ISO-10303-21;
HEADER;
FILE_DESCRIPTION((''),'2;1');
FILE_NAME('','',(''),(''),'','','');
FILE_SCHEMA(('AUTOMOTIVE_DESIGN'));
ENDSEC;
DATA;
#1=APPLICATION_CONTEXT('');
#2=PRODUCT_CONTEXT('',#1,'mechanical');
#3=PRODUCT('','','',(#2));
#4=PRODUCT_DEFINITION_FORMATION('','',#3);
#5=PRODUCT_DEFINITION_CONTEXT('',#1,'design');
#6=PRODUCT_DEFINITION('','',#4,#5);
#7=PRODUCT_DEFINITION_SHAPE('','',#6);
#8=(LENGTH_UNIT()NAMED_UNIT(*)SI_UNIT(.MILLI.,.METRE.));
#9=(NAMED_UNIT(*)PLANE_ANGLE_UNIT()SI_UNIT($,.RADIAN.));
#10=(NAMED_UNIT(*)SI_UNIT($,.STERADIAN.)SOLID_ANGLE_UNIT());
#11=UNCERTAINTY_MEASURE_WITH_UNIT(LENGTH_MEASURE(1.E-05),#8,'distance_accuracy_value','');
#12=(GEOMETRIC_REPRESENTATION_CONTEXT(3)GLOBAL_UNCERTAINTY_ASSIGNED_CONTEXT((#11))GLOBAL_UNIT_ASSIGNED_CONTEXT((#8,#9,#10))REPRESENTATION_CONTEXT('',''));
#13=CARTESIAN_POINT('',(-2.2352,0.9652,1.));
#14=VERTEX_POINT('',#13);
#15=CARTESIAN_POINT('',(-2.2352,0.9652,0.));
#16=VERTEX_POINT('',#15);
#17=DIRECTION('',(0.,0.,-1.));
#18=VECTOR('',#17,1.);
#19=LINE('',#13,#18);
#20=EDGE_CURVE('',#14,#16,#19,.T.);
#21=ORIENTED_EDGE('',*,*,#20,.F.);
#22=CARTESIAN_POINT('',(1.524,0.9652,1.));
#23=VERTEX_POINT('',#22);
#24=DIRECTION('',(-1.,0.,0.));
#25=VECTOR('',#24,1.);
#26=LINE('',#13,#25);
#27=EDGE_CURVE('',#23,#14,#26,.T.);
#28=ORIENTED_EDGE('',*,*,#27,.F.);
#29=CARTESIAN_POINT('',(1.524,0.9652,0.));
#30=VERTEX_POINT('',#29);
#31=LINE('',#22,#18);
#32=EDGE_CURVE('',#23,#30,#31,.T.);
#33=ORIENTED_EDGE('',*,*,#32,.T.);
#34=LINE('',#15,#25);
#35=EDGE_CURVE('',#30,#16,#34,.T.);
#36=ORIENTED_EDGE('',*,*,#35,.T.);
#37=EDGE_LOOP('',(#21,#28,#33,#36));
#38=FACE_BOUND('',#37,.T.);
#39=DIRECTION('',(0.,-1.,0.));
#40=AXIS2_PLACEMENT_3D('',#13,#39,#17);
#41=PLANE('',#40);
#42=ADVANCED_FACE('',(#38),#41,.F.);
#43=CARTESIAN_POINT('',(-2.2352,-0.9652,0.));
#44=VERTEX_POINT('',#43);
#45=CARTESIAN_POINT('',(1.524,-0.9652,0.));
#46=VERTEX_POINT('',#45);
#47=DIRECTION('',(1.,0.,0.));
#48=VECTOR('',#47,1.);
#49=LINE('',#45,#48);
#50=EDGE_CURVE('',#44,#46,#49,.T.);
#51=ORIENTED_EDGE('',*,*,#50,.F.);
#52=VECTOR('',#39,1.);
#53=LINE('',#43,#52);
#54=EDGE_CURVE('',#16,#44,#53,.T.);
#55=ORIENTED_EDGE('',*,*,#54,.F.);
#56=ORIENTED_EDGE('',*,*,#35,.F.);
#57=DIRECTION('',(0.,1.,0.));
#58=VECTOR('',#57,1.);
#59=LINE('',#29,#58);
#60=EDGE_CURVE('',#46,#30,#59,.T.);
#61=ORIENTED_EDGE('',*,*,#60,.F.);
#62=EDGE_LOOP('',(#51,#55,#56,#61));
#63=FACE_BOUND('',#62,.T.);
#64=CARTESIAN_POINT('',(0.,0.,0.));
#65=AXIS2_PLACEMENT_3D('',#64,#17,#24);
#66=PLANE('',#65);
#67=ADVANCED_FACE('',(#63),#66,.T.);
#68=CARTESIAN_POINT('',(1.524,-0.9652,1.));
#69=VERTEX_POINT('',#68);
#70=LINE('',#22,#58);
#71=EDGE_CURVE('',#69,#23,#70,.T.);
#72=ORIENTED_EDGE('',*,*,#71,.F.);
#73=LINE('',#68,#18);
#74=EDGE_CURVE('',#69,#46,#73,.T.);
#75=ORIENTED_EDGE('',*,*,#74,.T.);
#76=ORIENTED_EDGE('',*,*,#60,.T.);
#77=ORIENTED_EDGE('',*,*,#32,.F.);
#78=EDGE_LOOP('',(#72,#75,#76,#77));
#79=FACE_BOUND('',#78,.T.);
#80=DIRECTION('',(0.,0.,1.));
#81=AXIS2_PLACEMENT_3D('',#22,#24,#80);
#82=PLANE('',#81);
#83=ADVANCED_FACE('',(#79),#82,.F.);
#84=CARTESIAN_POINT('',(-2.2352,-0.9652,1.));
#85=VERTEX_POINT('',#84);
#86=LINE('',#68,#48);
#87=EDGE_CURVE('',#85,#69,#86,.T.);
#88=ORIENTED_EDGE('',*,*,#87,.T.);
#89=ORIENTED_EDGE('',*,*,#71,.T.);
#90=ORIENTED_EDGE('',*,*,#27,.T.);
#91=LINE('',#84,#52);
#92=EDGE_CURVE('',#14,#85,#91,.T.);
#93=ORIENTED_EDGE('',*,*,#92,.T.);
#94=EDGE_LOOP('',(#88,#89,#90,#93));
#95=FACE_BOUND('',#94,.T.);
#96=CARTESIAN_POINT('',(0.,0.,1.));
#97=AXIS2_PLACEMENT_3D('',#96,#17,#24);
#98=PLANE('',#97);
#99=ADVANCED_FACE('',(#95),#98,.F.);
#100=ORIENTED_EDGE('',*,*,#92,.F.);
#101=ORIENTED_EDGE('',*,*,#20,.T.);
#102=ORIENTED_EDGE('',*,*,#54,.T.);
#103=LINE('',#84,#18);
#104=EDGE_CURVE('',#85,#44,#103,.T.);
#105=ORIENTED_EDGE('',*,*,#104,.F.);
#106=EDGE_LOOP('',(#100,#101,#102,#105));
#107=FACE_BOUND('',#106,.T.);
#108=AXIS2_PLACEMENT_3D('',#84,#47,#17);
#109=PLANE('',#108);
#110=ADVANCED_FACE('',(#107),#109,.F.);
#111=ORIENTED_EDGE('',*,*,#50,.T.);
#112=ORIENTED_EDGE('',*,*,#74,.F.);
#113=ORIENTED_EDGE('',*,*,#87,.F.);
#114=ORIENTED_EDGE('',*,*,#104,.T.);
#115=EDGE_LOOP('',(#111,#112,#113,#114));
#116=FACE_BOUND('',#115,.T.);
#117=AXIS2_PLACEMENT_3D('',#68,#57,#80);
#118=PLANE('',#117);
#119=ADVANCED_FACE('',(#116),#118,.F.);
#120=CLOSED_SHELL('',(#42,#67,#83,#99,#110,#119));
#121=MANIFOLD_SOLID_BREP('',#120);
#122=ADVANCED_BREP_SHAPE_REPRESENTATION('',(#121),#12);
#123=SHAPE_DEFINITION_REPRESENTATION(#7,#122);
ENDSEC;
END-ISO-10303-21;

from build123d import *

# Parameters (mm, degrees)
SKETCH1_W               = 3.7592
SKETCH1_H               = 1.9304
COMPONENT_OUTLINE_DEPTH = 1


with BuildPart() as part:
    # Sketch1 → Component_Outline (new body)
    with BuildSketch(Plane.XY):
        with Locations((-0.3556, 0)):
            Rectangle(SKETCH1_W, SKETCH1_H)
    extrude(amount=COMPONENT_OUTLINE_DEPTH)


solid = part.part
